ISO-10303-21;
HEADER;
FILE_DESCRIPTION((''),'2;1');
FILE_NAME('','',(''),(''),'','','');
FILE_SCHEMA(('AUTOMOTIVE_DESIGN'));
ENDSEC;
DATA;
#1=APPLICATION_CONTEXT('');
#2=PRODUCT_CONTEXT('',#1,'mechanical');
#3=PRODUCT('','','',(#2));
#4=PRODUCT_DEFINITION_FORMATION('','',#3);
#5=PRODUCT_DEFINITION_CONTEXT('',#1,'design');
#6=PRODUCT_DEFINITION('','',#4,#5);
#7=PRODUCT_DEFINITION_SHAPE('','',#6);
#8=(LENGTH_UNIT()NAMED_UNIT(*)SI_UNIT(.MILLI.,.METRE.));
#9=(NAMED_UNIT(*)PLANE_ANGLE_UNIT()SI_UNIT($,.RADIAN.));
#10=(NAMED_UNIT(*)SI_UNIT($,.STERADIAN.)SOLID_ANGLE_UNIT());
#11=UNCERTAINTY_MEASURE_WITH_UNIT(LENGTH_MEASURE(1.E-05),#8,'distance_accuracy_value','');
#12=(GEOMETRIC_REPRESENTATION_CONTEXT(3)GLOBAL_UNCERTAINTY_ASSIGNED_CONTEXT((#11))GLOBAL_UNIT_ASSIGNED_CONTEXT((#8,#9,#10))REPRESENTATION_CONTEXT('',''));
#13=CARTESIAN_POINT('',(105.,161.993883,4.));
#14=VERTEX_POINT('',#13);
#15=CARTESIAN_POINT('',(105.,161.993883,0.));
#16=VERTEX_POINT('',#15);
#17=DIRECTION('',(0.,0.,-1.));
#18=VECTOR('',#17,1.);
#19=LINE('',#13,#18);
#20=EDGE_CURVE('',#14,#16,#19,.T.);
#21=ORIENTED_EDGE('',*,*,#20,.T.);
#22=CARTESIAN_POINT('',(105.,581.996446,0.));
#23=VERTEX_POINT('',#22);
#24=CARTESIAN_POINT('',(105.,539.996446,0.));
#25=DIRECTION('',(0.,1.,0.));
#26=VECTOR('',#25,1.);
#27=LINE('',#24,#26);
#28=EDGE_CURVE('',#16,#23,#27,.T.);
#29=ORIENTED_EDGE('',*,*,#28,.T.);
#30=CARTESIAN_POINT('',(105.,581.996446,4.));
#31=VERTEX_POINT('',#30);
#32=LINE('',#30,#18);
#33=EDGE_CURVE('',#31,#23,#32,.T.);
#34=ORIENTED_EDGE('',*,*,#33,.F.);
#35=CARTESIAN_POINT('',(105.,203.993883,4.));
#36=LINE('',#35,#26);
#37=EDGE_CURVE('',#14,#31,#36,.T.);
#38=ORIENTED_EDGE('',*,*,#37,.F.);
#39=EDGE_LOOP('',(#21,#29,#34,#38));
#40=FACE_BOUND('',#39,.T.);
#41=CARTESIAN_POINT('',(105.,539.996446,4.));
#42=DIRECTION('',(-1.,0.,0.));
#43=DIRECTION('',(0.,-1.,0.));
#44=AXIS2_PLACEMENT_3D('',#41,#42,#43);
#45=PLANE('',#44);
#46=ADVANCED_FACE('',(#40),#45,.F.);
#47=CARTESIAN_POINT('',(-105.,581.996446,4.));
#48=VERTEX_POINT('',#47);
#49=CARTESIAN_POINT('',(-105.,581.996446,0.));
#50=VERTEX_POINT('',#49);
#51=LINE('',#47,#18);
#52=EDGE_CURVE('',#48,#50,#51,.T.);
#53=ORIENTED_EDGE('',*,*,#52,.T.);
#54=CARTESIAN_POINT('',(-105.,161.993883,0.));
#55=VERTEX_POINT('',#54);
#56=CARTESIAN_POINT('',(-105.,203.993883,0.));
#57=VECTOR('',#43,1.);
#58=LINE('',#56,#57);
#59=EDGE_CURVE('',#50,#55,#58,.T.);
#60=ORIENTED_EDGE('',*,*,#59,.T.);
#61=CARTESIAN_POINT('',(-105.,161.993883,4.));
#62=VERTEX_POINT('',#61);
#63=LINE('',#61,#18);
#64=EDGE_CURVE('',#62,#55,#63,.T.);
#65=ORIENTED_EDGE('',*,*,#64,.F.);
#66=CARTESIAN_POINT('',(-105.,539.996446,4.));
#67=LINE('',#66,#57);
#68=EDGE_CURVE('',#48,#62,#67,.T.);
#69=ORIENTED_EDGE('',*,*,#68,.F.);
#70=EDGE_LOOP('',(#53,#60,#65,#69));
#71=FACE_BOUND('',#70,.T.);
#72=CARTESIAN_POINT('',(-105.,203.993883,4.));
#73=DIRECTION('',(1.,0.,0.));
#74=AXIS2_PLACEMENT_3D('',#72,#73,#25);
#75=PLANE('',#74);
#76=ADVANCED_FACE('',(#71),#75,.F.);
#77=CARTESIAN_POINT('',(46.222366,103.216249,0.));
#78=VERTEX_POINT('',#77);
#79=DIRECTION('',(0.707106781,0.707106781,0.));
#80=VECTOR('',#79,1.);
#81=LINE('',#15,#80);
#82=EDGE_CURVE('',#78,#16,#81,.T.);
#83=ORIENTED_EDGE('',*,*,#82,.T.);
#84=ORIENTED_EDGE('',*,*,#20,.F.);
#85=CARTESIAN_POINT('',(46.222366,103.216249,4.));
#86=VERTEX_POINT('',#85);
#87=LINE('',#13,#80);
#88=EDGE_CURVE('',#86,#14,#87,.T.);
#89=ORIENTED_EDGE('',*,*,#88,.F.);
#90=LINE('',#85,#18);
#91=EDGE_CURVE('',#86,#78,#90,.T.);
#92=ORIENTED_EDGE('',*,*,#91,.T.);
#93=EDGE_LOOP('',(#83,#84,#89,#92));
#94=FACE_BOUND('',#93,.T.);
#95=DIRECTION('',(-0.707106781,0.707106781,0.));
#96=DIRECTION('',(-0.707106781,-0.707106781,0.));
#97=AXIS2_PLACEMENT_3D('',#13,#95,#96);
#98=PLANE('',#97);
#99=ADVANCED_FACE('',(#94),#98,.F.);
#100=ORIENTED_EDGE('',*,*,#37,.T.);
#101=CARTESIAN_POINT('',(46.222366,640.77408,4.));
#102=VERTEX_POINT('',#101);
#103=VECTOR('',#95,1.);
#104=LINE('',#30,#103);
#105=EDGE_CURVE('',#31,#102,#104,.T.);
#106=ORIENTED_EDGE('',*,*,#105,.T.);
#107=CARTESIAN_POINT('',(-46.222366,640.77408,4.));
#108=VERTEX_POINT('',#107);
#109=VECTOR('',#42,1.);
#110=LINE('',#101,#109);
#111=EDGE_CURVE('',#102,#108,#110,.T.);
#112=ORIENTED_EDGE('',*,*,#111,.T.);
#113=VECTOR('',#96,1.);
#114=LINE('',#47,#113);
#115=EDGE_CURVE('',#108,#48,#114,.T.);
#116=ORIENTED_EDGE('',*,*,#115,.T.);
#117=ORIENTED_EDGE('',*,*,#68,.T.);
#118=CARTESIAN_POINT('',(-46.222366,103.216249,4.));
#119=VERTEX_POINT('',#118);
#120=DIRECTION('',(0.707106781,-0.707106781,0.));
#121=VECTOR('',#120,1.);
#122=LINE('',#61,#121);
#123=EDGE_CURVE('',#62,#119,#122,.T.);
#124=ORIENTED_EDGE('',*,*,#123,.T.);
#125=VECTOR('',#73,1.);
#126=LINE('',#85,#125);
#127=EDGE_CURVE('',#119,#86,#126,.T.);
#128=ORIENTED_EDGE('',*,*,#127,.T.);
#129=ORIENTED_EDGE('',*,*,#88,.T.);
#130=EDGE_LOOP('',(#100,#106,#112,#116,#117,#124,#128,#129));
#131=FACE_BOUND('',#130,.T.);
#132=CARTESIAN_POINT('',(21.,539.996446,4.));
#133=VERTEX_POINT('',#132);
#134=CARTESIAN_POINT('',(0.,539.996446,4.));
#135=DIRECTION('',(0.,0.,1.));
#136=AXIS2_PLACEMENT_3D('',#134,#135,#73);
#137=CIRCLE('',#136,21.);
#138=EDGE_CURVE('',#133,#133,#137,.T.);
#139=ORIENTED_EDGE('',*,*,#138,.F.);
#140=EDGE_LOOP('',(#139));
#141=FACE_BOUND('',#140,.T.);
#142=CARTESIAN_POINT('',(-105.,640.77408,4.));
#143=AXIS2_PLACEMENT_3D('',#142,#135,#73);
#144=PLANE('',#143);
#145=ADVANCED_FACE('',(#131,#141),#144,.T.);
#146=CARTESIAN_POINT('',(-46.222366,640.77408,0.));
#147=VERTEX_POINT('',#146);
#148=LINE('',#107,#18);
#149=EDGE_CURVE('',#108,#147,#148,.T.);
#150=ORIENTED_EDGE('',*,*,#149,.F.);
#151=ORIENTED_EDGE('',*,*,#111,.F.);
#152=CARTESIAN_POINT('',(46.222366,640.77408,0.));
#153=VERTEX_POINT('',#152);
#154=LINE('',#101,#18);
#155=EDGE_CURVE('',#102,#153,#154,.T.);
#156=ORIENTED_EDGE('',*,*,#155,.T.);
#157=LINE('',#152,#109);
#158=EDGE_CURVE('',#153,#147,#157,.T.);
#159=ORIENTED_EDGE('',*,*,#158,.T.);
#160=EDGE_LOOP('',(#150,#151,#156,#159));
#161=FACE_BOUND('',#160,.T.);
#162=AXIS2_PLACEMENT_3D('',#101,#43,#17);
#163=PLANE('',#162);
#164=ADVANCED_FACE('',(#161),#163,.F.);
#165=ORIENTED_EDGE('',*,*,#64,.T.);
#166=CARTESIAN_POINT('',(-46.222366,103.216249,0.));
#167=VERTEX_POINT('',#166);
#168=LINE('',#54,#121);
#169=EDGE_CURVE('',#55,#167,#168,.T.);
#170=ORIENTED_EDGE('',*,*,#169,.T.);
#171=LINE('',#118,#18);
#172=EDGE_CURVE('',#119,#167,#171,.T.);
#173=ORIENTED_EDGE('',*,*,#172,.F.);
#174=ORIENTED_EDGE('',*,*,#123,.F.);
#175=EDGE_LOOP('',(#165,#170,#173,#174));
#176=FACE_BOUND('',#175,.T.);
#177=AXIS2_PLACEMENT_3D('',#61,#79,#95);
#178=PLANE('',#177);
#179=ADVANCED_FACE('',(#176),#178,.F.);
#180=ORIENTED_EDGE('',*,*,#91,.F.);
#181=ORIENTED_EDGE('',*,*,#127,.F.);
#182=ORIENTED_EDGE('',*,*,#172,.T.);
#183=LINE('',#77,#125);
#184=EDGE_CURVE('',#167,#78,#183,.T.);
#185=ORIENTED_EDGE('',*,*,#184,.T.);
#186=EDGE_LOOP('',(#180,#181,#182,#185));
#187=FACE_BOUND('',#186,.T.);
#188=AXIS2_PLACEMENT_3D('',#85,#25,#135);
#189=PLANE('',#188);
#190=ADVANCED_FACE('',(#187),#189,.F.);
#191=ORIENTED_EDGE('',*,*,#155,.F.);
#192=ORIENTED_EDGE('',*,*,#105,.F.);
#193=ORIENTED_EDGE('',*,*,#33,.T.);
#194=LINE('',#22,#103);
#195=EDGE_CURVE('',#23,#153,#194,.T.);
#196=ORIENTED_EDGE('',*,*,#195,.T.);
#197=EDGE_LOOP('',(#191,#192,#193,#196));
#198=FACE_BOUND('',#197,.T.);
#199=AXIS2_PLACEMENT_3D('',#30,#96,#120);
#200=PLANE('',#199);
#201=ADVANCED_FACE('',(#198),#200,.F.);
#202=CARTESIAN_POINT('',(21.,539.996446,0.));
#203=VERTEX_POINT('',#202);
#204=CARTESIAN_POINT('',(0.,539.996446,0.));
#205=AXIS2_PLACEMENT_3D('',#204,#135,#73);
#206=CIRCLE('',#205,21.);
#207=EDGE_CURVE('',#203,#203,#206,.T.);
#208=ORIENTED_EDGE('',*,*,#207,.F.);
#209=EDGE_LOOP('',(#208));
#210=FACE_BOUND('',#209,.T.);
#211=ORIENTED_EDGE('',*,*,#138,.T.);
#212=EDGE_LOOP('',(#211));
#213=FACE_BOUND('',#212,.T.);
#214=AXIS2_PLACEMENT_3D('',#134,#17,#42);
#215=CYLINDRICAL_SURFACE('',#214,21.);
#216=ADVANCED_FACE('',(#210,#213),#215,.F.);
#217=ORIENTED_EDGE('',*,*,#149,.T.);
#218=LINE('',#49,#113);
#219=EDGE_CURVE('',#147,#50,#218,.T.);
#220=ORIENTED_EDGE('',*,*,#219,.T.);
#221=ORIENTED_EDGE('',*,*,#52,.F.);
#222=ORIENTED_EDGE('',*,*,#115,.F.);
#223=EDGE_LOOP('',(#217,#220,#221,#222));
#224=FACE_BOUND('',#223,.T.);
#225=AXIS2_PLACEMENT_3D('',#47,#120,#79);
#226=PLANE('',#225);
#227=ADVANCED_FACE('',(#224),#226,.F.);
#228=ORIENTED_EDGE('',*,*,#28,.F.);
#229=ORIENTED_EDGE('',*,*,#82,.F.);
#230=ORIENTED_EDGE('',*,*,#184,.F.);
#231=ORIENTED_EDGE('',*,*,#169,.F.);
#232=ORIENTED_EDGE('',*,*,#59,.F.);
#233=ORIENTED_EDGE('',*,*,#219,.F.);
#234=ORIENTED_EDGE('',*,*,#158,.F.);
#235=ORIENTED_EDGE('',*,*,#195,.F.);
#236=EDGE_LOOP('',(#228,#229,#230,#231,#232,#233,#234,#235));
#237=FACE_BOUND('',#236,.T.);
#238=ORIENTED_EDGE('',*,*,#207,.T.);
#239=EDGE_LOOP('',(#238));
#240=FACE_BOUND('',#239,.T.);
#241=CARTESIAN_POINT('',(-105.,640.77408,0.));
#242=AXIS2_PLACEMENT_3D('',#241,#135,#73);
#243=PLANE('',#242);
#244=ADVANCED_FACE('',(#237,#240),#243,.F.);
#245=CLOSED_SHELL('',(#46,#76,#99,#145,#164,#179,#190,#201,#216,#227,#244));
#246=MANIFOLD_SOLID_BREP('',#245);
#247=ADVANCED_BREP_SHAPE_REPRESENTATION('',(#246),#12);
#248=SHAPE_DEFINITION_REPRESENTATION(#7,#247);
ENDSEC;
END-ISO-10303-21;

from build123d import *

# Parameters (mm, degrees)
SKETCH_1_R      = 21
EXTRUDE_1_DEPTH = 4


with BuildPart() as part:
    # Эскиз1 → Вытянуть1 (new body)
    with BuildSketch(Plane.XY):
        Polygon((-105, 539.996445798), (-105, 203.99388251), (-105, 161.99388251), (-46.222366275, 103.216248785), (46.222366275, 103.216248785), (105, 161.99388251), (105, 203.99388251), (105, 539.996445798), (105, 581.996445798), (46.222366275, 640.774079523), (-46.222366275, 640.774079523), (-105, 581.996445798), align=None)
        with Locations((0, 539.996445798)):
            Circle(SKETCH_1_R, mode=Mode.SUBTRACT)
    extrude(amount=EXTRUDE_1_DEPTH)


solid = part.part
